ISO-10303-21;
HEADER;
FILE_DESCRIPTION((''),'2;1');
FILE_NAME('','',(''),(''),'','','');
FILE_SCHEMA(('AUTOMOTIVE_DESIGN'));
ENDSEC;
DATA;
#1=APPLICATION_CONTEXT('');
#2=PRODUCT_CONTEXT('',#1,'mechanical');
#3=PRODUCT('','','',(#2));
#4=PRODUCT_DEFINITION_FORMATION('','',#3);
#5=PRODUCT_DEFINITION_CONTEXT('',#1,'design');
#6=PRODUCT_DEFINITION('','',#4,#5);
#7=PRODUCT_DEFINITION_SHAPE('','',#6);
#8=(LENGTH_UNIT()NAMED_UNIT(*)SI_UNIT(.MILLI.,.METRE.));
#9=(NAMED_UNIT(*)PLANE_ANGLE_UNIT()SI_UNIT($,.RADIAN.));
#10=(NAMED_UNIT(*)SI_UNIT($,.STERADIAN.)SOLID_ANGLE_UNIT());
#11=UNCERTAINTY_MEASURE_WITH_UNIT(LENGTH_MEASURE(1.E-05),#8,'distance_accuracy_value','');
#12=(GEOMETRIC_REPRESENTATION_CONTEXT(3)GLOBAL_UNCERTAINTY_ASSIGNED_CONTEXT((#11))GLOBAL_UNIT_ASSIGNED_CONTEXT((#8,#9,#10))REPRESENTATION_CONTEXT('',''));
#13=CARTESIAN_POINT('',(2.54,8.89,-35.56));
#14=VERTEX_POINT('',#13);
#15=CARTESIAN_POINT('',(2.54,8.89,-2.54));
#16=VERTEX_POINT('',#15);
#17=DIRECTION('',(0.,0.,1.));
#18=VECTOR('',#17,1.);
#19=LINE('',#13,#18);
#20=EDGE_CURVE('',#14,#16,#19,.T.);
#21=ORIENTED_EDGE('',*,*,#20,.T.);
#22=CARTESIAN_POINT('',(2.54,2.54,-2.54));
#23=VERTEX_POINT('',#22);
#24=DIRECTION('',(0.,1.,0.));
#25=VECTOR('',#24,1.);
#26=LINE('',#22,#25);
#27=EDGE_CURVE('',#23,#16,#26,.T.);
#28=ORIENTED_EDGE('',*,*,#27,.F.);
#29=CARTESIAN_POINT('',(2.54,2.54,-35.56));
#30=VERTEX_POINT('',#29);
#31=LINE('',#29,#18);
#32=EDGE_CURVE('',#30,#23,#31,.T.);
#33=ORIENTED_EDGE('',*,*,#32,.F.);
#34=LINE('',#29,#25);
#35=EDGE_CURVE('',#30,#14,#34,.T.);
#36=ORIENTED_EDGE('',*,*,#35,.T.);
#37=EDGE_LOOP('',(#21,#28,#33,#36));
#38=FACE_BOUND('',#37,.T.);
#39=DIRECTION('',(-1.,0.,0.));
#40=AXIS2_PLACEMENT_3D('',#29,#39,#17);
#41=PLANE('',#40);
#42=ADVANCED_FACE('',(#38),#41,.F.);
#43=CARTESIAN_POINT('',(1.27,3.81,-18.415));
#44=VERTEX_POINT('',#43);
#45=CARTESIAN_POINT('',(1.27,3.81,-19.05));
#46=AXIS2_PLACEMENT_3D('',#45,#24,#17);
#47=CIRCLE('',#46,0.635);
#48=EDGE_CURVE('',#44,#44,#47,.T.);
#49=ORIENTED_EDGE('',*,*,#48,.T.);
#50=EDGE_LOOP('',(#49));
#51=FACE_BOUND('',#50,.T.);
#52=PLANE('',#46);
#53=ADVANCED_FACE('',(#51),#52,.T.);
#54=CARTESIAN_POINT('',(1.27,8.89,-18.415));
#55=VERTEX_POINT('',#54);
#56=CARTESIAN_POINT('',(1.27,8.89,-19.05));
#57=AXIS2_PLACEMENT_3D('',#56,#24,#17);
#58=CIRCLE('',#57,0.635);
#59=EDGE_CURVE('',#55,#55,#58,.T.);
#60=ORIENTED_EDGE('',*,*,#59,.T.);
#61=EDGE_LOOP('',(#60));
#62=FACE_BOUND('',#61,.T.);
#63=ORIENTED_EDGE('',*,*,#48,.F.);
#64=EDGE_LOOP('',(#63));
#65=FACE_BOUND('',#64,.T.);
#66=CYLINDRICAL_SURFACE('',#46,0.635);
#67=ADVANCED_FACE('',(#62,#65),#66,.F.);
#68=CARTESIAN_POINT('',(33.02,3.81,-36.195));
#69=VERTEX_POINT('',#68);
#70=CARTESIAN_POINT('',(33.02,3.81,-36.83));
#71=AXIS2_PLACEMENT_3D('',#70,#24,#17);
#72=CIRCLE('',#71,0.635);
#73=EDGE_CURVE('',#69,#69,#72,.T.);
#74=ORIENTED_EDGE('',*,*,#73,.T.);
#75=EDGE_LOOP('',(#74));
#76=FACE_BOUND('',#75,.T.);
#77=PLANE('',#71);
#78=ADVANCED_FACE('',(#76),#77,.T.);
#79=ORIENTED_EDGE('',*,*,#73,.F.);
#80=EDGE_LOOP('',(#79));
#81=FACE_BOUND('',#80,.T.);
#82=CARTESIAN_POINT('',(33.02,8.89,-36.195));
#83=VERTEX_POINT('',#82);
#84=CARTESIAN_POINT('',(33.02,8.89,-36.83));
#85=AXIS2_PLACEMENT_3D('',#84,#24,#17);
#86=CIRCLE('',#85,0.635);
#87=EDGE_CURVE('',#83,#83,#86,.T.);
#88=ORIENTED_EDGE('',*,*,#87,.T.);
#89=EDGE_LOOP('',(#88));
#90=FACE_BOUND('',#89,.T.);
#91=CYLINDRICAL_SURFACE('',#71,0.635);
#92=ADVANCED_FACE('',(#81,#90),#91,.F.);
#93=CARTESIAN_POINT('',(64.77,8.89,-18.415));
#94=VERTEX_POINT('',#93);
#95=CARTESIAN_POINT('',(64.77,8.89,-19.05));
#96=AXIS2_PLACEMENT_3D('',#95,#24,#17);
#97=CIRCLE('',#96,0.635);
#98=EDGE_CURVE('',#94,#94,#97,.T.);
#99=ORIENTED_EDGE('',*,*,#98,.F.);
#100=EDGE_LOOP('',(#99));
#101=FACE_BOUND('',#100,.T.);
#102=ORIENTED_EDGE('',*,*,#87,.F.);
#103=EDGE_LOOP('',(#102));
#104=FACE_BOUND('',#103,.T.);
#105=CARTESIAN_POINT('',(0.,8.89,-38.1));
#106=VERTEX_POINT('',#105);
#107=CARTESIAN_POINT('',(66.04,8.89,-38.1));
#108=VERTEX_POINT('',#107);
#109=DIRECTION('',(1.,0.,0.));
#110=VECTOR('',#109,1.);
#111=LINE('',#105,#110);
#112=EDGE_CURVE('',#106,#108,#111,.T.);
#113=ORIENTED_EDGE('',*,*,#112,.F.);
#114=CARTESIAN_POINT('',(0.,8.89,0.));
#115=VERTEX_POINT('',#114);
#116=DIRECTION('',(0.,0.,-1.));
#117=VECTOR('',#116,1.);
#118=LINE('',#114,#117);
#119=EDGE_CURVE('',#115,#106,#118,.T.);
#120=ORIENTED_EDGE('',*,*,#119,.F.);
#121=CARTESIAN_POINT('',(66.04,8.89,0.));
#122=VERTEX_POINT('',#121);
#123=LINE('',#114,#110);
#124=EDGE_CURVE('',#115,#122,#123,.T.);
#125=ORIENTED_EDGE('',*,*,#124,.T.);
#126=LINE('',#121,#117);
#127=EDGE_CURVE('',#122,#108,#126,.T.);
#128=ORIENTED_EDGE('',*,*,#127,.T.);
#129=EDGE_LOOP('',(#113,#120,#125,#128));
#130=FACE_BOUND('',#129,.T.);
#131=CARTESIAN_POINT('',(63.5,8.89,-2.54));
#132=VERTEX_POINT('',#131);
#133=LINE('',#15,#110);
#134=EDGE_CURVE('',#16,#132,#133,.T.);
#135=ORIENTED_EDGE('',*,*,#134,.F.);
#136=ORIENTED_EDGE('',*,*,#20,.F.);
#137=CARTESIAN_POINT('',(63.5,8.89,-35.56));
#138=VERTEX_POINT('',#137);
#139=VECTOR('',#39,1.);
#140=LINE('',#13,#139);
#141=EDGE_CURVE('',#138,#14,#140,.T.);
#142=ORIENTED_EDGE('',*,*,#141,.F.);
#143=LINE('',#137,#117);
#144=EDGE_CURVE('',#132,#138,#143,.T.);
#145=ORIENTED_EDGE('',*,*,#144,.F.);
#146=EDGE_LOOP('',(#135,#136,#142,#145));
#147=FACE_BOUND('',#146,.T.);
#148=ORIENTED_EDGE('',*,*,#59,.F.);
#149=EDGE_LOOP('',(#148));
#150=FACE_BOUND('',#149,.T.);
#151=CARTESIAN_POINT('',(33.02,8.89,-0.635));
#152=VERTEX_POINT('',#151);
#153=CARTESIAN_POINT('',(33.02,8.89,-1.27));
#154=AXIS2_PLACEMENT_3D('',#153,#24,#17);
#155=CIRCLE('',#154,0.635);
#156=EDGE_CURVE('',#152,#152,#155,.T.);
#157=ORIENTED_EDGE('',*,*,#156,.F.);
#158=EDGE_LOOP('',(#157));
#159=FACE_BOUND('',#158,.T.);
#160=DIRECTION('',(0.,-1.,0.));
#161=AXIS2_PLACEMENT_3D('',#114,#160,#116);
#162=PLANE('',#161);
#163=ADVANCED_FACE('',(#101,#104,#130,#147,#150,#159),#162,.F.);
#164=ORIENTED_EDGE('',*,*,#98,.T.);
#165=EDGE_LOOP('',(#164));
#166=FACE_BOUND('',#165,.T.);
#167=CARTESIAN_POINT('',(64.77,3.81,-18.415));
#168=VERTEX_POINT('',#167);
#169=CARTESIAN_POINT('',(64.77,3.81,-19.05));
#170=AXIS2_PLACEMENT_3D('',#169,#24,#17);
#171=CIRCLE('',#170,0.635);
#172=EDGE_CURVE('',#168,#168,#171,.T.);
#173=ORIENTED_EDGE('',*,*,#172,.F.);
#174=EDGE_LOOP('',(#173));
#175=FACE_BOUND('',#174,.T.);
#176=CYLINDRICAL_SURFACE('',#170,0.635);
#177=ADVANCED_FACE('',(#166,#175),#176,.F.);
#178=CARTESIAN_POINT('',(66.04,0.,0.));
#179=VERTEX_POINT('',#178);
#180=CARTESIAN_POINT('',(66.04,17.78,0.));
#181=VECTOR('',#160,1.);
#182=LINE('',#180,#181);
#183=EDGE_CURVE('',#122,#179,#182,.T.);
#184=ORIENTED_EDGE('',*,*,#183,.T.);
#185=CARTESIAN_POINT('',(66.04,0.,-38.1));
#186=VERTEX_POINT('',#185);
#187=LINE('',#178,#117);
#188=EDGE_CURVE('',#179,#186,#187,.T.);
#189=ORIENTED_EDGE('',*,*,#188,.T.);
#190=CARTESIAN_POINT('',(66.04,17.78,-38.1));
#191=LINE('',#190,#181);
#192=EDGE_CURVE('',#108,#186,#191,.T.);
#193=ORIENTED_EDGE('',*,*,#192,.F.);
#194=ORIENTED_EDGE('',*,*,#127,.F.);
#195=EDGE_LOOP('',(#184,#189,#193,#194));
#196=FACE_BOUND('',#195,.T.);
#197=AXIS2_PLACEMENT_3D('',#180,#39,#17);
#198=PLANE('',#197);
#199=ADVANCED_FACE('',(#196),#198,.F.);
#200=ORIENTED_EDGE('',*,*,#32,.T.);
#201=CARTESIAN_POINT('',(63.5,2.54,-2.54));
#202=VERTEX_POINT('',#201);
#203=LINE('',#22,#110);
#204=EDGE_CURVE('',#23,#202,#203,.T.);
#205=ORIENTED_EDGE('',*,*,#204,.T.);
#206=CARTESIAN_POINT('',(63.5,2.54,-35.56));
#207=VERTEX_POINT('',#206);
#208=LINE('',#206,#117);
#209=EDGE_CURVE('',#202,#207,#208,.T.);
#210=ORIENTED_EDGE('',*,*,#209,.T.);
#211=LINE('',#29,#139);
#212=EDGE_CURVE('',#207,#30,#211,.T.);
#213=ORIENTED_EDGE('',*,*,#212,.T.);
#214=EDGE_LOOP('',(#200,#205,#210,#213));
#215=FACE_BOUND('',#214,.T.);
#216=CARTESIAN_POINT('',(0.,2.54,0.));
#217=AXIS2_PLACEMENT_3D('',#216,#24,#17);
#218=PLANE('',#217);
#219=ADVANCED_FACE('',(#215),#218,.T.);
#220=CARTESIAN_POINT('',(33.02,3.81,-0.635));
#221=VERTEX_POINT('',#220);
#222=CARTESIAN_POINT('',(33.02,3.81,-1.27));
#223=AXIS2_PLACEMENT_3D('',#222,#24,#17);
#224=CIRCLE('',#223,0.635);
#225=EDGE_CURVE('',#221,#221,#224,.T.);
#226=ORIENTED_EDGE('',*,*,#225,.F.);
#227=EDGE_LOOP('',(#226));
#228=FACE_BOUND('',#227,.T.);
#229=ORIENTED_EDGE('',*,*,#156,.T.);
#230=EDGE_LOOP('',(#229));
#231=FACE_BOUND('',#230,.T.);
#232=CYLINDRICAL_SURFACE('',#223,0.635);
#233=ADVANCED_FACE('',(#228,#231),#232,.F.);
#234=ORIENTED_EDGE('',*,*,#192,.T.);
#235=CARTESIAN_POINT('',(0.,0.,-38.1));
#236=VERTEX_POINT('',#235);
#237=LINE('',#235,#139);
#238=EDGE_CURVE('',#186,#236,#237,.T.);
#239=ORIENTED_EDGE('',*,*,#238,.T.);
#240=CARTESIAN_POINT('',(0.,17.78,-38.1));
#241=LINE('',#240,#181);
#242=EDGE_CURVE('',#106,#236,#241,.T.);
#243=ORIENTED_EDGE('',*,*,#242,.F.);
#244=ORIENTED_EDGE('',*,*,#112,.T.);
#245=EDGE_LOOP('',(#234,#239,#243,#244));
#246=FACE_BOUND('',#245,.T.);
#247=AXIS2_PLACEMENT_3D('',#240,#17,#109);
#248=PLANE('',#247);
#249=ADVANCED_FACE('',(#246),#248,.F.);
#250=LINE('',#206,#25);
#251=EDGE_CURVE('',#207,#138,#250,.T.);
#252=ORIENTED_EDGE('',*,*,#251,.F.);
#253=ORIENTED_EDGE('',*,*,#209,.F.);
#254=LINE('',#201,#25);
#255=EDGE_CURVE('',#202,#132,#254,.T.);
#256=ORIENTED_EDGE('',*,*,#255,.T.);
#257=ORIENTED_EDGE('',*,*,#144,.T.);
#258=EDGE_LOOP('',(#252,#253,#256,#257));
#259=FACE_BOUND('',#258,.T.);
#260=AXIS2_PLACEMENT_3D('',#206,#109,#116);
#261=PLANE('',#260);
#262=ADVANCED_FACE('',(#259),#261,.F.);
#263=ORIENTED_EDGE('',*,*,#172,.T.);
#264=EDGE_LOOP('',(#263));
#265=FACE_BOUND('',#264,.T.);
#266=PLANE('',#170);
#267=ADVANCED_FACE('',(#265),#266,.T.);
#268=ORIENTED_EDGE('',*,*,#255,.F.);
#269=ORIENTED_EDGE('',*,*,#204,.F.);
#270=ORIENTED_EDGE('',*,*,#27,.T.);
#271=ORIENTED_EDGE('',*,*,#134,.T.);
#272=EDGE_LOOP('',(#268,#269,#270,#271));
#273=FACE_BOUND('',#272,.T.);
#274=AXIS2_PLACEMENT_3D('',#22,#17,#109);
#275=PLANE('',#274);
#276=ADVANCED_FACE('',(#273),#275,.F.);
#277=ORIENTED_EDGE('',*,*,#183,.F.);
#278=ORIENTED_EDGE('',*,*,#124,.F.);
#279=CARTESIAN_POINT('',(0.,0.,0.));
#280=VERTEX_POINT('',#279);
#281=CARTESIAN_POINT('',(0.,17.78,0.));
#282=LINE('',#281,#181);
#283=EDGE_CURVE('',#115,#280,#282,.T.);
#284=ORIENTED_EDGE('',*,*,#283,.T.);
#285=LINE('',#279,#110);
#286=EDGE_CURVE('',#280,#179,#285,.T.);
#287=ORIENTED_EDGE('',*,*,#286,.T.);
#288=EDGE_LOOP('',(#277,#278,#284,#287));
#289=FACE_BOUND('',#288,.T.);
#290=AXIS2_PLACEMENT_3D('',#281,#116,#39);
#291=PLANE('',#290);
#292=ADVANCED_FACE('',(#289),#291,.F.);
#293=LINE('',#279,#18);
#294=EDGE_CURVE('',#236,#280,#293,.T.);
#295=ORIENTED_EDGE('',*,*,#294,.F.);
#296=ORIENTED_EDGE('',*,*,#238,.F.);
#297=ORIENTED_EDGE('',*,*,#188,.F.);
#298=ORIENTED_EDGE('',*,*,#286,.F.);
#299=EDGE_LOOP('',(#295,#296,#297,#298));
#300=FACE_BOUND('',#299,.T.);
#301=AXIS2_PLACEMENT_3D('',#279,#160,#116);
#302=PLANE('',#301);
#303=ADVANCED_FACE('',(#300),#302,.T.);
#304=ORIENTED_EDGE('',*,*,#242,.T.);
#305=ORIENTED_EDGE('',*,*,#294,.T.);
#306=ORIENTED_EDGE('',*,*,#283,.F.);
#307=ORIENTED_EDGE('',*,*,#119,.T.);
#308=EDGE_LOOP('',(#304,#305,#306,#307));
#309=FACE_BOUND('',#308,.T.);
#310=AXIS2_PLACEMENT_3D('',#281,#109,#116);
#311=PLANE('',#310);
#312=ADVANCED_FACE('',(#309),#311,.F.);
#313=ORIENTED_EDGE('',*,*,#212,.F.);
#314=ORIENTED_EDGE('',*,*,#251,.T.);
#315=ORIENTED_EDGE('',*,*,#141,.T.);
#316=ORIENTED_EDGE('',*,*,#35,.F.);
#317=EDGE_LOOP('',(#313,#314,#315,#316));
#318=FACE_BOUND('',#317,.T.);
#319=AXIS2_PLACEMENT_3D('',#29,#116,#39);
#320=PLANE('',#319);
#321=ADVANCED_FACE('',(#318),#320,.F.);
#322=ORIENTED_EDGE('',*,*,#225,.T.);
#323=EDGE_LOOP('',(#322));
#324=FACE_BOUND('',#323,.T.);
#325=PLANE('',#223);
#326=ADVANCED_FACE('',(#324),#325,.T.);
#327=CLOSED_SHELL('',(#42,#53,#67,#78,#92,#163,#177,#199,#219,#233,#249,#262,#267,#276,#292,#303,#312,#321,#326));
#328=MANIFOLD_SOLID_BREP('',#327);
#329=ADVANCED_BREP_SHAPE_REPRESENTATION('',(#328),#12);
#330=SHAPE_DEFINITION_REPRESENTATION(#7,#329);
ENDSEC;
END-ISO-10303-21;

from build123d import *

# Parameters (mm, degrees)
SKETCH1_W           = 66.04
SKETCH1_H           = 38.1
BOSS_EXTRUDE3_DEPTH = 17.78
SKETCH3_W           = 60.96
SKETCH3_H           = 33.02
CUT_EXTRUDE1_DEPTH  = 15.24
SKETCH4_W           = 38.1
SKETCH4_H           = 8.89
CUT_EXTRUDE2_DEPTH  = 66.04
SKETCH5_R           = 0.635
CUT_EXTRUDE3_DEPTH  = 5.08


with BuildPart() as part:
    # Sketch1 → Boss-Extrude3 (new body)
    with BuildSketch(Plane(origin=(0, 0, 0), x_dir=(1, 0, 0), z_dir=(0, 1, 0))):
        with Locations((33.02, 19.05)):
            Rectangle(SKETCH1_W, SKETCH1_H)
    extrude(amount=BOSS_EXTRUDE3_DEPTH)

    # Sketch3 → Cut-Extrude1 (cut)
    with BuildSketch(Plane(origin=(0, 17.78, 0), x_dir=(1, 0, 0), z_dir=(0, 1, 0))):
        with Locations((33.02, 19.05)):
            Rectangle(SKETCH3_W, SKETCH3_H)
    extrude(amount=-CUT_EXTRUDE1_DEPTH, mode=Mode.SUBTRACT)

    # Sketch4 → Cut-Extrude2 (cut)
    with BuildSketch(Plane(origin=(66.04, 0, 0), x_dir=(0, 0, -1), z_dir=(1, 0, 0))):
        with Locations((19.05, 13.335)):
            Rectangle(SKETCH4_W, SKETCH4_H)
    extrude(amount=-CUT_EXTRUDE2_DEPTH, mode=Mode.SUBTRACT)

    # Sketch5 → Cut-Extrude3 (cut)
    with BuildSketch(Plane(origin=(0, 8.89, 0), x_dir=(1, 0, 0), z_dir=(0, 1, 0))):
        with Locations((33.02, 36.83)):
            Circle(SKETCH5_R)
        with Locations((33.02, 1.27)):
            Circle(SKETCH5_R)
        with Locations((1.27, 19.05)):
            Circle(SKETCH5_R)
        with Locations((64.77, 19.05)):
            Circle(SKETCH5_R)
    extrude(amount=-CUT_EXTRUDE3_DEPTH, mode=Mode.SUBTRACT)


solid = part.part
